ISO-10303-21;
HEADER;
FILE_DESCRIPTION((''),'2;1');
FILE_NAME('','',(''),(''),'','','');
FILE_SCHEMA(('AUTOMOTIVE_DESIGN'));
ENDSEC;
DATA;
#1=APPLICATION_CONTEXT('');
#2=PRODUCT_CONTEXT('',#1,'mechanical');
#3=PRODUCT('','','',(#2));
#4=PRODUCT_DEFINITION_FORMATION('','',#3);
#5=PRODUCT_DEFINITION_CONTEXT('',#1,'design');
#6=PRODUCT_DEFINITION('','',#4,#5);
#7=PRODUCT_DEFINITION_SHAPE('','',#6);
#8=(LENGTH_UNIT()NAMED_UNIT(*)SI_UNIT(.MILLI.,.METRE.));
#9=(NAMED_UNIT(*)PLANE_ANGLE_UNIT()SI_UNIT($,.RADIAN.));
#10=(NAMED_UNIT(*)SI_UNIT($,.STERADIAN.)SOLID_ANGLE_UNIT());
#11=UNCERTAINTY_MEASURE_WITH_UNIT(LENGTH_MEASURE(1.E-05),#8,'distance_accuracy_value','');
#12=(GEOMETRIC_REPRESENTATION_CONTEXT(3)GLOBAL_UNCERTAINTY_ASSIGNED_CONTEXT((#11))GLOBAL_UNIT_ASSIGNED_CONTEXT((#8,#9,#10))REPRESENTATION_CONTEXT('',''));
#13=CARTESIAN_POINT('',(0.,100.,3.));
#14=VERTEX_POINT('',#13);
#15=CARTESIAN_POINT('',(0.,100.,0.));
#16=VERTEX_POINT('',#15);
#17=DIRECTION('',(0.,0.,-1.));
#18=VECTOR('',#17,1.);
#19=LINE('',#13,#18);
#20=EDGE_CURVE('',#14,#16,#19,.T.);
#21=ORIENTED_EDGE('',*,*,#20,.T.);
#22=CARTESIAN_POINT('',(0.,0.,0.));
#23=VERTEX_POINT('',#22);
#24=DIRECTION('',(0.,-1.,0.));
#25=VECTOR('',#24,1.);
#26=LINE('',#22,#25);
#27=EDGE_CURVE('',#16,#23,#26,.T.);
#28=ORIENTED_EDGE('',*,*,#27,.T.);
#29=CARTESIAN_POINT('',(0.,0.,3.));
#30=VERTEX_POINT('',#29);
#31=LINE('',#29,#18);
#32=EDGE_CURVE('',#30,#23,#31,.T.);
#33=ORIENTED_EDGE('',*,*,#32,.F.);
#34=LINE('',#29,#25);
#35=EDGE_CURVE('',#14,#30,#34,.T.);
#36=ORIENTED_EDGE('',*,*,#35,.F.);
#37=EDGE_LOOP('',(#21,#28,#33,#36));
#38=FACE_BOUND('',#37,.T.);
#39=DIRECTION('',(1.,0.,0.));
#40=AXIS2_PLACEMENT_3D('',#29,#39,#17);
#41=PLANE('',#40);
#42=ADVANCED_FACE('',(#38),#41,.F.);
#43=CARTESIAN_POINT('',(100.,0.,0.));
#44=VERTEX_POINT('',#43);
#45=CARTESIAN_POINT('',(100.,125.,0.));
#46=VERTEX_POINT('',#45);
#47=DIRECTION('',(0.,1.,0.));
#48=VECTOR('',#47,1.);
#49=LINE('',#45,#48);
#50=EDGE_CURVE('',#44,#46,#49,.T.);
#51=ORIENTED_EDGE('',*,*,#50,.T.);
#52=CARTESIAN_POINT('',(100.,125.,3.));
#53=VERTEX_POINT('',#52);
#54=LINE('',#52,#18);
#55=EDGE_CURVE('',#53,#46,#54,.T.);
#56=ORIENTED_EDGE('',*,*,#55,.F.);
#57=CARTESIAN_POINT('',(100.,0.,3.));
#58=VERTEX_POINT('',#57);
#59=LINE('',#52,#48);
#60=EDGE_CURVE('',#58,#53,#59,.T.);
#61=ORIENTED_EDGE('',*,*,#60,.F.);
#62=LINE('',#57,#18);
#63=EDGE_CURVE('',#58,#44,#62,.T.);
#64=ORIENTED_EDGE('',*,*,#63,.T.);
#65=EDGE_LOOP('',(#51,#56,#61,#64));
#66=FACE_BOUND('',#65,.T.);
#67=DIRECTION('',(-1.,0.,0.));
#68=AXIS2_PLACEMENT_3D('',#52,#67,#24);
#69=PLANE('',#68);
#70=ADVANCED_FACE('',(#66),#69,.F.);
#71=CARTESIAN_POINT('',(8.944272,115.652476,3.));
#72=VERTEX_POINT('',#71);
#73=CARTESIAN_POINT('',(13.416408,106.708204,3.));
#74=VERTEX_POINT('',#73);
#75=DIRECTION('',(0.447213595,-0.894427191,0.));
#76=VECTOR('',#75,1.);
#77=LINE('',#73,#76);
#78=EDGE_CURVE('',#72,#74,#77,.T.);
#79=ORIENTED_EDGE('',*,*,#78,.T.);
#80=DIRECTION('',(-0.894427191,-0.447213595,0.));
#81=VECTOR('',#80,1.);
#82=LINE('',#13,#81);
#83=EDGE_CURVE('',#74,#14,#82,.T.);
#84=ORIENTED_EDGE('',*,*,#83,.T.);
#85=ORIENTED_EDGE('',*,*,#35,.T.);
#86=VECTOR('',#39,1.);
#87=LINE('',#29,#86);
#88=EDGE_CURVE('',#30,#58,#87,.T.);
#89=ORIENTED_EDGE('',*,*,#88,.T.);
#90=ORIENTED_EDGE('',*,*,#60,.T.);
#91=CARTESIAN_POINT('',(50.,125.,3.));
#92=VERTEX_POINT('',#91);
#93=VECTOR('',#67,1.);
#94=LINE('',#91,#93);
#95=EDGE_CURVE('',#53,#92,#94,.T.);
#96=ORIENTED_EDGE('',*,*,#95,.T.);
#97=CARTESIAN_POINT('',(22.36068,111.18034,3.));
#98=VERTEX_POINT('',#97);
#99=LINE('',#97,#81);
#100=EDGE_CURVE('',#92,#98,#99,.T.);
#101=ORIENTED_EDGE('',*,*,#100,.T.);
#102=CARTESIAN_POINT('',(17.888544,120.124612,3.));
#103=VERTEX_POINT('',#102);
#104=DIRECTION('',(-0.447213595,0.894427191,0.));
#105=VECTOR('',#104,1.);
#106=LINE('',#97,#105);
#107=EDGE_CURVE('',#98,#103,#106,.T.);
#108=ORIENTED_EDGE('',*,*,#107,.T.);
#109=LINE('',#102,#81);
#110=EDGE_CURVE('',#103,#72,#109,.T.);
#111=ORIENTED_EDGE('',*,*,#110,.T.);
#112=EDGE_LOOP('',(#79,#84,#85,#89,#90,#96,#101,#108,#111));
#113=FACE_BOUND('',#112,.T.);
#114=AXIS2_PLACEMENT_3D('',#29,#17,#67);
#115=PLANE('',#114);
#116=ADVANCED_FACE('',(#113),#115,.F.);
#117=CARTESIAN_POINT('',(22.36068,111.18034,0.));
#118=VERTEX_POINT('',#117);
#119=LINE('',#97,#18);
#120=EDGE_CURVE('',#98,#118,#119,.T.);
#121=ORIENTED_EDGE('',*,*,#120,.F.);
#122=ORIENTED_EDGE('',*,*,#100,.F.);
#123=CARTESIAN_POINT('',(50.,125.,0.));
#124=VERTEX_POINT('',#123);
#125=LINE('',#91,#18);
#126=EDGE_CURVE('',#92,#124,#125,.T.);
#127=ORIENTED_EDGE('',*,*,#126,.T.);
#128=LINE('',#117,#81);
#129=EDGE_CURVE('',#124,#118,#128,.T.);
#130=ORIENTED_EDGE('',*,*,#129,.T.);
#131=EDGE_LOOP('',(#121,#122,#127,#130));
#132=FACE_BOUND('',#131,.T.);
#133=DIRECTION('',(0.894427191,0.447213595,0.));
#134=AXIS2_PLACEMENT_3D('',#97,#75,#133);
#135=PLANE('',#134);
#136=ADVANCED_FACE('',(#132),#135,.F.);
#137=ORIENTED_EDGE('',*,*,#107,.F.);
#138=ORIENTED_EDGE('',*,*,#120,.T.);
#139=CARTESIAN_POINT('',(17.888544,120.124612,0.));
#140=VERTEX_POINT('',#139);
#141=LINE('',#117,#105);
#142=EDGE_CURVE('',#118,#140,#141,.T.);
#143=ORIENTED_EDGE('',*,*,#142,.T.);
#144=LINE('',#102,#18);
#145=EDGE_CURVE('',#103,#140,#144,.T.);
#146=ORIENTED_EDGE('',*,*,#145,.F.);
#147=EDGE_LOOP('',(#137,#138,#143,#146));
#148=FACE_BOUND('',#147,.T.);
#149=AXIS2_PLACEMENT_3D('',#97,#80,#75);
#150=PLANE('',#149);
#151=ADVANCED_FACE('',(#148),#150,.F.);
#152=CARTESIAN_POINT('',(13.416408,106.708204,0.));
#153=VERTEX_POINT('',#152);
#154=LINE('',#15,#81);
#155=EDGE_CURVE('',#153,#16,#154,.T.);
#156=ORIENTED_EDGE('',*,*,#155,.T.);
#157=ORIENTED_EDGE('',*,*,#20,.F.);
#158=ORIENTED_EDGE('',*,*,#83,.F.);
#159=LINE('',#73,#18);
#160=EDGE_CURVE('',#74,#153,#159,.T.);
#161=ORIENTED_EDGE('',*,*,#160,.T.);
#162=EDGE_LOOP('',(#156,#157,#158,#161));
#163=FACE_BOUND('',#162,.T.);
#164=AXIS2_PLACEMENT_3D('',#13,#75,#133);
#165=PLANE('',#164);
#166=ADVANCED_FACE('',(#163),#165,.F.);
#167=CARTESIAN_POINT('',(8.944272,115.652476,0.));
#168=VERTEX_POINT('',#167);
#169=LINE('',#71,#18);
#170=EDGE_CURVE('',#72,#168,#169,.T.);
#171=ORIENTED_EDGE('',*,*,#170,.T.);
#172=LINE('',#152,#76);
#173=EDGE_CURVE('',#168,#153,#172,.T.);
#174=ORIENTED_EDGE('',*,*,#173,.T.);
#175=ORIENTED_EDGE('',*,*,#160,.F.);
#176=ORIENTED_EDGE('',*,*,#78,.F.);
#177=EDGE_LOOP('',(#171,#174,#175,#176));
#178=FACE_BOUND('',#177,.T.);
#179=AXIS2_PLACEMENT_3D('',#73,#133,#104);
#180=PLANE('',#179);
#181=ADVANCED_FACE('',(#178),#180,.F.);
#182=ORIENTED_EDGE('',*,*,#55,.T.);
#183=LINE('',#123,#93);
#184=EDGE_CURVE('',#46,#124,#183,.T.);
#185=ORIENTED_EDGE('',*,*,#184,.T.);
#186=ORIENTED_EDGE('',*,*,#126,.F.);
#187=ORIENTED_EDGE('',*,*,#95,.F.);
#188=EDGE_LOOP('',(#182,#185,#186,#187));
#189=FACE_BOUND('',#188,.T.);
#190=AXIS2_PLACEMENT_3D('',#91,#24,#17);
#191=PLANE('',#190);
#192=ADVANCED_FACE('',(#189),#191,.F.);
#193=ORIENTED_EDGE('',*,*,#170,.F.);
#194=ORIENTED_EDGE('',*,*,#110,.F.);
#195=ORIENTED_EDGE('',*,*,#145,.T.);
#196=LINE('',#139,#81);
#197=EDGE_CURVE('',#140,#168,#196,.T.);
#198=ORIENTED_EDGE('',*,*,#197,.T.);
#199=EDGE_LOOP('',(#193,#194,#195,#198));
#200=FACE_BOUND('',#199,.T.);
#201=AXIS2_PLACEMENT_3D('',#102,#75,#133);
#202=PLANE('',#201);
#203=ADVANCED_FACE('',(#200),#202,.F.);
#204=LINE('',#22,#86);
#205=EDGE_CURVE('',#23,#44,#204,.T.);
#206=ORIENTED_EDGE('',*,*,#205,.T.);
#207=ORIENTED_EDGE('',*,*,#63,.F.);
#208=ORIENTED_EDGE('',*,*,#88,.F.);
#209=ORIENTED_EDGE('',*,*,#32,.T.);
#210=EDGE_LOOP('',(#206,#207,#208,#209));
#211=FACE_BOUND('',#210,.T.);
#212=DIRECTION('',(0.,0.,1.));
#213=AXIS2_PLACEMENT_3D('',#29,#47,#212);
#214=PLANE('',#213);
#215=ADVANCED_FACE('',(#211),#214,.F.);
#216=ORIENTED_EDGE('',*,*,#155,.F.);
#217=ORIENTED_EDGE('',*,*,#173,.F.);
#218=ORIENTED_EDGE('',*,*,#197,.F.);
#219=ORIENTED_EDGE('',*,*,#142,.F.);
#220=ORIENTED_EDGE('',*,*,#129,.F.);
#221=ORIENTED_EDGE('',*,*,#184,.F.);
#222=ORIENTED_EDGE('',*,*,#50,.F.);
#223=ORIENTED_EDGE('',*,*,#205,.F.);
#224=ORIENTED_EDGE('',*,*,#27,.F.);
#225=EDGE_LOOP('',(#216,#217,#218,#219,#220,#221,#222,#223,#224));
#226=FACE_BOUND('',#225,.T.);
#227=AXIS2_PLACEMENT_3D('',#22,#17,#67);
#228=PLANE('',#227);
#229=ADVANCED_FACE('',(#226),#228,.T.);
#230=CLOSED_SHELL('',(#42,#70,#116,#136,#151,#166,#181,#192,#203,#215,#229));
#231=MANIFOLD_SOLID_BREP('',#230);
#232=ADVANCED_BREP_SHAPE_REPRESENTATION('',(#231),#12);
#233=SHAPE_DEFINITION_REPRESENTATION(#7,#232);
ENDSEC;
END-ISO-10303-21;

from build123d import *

# Parameters (mm, degrees)
BOSS_EXTRU_1_DEPTH = 3


with BuildPart() as part:
    # Esquisse1 → Boss.-Extru.1 (new body)
    with BuildSketch(Plane.XY):
        Polygon((0, 0), (100, 0), (100, 125), (50, 125), (22.360679775, 111.180339887), (17.88854382, 120.124611797), (8.94427191, 115.652475842), (13.416407865, 106.708203932), (0, 100), align=None)
    extrude(amount=BOSS_EXTRU_1_DEPTH)


solid = part.part
